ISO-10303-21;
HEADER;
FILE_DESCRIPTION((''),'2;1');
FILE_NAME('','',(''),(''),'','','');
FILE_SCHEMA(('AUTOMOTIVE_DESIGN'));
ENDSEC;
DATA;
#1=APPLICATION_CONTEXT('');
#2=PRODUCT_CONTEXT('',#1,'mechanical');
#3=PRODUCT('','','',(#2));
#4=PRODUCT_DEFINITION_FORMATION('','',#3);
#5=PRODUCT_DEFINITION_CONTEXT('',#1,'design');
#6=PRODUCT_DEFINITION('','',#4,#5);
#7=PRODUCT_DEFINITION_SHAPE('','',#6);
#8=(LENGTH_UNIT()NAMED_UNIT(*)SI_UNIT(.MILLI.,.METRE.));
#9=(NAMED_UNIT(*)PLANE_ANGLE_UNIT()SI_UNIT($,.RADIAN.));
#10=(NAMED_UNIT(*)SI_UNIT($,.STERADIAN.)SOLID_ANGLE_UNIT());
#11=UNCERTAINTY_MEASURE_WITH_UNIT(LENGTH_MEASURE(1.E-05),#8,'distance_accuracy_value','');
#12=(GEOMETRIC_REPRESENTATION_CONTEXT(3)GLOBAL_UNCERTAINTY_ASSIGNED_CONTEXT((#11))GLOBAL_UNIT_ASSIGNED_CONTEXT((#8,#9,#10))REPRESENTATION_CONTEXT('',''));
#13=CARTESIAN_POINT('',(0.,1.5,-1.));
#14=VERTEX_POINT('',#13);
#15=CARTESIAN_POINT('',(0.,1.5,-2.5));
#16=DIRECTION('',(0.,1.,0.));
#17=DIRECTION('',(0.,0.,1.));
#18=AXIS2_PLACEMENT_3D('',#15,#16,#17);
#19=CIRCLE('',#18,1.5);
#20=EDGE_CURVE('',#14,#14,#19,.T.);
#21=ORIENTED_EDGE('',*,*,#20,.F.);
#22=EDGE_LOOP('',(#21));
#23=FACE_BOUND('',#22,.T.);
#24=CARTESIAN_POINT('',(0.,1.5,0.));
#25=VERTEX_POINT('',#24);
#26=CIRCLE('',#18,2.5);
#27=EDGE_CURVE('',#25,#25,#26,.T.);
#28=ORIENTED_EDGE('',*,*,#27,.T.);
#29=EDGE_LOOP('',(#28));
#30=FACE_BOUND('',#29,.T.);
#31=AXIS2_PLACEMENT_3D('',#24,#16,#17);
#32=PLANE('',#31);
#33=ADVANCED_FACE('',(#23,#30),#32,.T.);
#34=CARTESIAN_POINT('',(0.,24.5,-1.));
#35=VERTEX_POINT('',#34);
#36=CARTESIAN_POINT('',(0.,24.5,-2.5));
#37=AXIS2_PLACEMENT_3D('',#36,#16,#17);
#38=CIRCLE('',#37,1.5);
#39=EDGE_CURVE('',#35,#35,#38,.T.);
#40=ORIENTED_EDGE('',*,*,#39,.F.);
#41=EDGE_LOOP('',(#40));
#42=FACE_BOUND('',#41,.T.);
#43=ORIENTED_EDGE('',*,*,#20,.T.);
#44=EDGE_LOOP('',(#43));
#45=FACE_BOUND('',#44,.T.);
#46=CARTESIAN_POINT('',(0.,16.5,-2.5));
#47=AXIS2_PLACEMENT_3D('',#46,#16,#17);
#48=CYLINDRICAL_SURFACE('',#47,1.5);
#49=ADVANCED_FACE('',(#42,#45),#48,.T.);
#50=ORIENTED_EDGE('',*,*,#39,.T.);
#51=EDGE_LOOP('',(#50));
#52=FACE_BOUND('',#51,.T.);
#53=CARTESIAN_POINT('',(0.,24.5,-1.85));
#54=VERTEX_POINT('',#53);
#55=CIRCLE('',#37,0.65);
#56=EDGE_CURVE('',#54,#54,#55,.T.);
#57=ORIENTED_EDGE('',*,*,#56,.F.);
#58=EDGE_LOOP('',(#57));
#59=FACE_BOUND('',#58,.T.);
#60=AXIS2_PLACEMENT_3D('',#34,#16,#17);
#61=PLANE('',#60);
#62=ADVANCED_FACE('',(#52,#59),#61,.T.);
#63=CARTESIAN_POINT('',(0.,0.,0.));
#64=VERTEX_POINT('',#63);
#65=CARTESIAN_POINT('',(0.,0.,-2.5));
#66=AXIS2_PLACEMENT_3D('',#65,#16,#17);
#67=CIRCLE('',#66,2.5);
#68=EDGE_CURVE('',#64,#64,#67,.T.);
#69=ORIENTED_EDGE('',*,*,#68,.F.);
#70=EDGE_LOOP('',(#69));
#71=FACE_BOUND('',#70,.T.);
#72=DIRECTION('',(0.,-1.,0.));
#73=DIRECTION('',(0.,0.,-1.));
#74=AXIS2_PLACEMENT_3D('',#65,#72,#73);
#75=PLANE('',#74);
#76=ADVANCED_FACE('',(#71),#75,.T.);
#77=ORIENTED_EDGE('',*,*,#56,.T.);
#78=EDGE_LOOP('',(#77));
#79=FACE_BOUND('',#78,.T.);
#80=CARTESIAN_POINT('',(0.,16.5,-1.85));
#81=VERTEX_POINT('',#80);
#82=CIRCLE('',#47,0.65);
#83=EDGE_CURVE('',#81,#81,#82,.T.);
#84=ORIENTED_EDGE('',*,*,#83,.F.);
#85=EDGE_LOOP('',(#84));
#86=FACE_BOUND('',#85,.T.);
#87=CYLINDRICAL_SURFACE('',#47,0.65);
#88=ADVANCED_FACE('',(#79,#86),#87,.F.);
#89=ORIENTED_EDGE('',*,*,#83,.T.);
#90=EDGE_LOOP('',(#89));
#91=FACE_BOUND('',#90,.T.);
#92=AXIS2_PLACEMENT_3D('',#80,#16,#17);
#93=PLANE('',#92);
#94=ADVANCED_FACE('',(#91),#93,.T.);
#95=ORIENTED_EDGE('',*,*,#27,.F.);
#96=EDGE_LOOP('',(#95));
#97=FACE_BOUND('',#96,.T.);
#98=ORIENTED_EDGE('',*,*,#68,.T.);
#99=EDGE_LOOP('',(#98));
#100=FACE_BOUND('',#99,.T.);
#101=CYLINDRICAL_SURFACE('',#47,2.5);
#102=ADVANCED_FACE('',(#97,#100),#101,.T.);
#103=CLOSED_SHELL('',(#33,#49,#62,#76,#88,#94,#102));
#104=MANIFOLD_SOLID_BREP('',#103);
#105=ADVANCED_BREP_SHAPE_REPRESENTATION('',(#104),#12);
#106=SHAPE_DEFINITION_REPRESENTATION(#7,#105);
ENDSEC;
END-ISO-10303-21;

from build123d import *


with BuildPart() as part:
    # 草图1 → 旋转1 (revolve)
    with BuildSketch(Plane(origin=(0, 0, 0), x_dir=(0, 0, -1), z_dir=(1, 0, 0))):
        Polygon((0, 0), (0, 1.5), (1, 1.5), (1, 24.5), (1.85, 24.5), (1.85, 16.5), (2.5, 16.5), (2.5, 0), align=None)
    revolve(axis=Axis((0, 16.5, -2.5), (0, -1, 0)))


solid = part.part
